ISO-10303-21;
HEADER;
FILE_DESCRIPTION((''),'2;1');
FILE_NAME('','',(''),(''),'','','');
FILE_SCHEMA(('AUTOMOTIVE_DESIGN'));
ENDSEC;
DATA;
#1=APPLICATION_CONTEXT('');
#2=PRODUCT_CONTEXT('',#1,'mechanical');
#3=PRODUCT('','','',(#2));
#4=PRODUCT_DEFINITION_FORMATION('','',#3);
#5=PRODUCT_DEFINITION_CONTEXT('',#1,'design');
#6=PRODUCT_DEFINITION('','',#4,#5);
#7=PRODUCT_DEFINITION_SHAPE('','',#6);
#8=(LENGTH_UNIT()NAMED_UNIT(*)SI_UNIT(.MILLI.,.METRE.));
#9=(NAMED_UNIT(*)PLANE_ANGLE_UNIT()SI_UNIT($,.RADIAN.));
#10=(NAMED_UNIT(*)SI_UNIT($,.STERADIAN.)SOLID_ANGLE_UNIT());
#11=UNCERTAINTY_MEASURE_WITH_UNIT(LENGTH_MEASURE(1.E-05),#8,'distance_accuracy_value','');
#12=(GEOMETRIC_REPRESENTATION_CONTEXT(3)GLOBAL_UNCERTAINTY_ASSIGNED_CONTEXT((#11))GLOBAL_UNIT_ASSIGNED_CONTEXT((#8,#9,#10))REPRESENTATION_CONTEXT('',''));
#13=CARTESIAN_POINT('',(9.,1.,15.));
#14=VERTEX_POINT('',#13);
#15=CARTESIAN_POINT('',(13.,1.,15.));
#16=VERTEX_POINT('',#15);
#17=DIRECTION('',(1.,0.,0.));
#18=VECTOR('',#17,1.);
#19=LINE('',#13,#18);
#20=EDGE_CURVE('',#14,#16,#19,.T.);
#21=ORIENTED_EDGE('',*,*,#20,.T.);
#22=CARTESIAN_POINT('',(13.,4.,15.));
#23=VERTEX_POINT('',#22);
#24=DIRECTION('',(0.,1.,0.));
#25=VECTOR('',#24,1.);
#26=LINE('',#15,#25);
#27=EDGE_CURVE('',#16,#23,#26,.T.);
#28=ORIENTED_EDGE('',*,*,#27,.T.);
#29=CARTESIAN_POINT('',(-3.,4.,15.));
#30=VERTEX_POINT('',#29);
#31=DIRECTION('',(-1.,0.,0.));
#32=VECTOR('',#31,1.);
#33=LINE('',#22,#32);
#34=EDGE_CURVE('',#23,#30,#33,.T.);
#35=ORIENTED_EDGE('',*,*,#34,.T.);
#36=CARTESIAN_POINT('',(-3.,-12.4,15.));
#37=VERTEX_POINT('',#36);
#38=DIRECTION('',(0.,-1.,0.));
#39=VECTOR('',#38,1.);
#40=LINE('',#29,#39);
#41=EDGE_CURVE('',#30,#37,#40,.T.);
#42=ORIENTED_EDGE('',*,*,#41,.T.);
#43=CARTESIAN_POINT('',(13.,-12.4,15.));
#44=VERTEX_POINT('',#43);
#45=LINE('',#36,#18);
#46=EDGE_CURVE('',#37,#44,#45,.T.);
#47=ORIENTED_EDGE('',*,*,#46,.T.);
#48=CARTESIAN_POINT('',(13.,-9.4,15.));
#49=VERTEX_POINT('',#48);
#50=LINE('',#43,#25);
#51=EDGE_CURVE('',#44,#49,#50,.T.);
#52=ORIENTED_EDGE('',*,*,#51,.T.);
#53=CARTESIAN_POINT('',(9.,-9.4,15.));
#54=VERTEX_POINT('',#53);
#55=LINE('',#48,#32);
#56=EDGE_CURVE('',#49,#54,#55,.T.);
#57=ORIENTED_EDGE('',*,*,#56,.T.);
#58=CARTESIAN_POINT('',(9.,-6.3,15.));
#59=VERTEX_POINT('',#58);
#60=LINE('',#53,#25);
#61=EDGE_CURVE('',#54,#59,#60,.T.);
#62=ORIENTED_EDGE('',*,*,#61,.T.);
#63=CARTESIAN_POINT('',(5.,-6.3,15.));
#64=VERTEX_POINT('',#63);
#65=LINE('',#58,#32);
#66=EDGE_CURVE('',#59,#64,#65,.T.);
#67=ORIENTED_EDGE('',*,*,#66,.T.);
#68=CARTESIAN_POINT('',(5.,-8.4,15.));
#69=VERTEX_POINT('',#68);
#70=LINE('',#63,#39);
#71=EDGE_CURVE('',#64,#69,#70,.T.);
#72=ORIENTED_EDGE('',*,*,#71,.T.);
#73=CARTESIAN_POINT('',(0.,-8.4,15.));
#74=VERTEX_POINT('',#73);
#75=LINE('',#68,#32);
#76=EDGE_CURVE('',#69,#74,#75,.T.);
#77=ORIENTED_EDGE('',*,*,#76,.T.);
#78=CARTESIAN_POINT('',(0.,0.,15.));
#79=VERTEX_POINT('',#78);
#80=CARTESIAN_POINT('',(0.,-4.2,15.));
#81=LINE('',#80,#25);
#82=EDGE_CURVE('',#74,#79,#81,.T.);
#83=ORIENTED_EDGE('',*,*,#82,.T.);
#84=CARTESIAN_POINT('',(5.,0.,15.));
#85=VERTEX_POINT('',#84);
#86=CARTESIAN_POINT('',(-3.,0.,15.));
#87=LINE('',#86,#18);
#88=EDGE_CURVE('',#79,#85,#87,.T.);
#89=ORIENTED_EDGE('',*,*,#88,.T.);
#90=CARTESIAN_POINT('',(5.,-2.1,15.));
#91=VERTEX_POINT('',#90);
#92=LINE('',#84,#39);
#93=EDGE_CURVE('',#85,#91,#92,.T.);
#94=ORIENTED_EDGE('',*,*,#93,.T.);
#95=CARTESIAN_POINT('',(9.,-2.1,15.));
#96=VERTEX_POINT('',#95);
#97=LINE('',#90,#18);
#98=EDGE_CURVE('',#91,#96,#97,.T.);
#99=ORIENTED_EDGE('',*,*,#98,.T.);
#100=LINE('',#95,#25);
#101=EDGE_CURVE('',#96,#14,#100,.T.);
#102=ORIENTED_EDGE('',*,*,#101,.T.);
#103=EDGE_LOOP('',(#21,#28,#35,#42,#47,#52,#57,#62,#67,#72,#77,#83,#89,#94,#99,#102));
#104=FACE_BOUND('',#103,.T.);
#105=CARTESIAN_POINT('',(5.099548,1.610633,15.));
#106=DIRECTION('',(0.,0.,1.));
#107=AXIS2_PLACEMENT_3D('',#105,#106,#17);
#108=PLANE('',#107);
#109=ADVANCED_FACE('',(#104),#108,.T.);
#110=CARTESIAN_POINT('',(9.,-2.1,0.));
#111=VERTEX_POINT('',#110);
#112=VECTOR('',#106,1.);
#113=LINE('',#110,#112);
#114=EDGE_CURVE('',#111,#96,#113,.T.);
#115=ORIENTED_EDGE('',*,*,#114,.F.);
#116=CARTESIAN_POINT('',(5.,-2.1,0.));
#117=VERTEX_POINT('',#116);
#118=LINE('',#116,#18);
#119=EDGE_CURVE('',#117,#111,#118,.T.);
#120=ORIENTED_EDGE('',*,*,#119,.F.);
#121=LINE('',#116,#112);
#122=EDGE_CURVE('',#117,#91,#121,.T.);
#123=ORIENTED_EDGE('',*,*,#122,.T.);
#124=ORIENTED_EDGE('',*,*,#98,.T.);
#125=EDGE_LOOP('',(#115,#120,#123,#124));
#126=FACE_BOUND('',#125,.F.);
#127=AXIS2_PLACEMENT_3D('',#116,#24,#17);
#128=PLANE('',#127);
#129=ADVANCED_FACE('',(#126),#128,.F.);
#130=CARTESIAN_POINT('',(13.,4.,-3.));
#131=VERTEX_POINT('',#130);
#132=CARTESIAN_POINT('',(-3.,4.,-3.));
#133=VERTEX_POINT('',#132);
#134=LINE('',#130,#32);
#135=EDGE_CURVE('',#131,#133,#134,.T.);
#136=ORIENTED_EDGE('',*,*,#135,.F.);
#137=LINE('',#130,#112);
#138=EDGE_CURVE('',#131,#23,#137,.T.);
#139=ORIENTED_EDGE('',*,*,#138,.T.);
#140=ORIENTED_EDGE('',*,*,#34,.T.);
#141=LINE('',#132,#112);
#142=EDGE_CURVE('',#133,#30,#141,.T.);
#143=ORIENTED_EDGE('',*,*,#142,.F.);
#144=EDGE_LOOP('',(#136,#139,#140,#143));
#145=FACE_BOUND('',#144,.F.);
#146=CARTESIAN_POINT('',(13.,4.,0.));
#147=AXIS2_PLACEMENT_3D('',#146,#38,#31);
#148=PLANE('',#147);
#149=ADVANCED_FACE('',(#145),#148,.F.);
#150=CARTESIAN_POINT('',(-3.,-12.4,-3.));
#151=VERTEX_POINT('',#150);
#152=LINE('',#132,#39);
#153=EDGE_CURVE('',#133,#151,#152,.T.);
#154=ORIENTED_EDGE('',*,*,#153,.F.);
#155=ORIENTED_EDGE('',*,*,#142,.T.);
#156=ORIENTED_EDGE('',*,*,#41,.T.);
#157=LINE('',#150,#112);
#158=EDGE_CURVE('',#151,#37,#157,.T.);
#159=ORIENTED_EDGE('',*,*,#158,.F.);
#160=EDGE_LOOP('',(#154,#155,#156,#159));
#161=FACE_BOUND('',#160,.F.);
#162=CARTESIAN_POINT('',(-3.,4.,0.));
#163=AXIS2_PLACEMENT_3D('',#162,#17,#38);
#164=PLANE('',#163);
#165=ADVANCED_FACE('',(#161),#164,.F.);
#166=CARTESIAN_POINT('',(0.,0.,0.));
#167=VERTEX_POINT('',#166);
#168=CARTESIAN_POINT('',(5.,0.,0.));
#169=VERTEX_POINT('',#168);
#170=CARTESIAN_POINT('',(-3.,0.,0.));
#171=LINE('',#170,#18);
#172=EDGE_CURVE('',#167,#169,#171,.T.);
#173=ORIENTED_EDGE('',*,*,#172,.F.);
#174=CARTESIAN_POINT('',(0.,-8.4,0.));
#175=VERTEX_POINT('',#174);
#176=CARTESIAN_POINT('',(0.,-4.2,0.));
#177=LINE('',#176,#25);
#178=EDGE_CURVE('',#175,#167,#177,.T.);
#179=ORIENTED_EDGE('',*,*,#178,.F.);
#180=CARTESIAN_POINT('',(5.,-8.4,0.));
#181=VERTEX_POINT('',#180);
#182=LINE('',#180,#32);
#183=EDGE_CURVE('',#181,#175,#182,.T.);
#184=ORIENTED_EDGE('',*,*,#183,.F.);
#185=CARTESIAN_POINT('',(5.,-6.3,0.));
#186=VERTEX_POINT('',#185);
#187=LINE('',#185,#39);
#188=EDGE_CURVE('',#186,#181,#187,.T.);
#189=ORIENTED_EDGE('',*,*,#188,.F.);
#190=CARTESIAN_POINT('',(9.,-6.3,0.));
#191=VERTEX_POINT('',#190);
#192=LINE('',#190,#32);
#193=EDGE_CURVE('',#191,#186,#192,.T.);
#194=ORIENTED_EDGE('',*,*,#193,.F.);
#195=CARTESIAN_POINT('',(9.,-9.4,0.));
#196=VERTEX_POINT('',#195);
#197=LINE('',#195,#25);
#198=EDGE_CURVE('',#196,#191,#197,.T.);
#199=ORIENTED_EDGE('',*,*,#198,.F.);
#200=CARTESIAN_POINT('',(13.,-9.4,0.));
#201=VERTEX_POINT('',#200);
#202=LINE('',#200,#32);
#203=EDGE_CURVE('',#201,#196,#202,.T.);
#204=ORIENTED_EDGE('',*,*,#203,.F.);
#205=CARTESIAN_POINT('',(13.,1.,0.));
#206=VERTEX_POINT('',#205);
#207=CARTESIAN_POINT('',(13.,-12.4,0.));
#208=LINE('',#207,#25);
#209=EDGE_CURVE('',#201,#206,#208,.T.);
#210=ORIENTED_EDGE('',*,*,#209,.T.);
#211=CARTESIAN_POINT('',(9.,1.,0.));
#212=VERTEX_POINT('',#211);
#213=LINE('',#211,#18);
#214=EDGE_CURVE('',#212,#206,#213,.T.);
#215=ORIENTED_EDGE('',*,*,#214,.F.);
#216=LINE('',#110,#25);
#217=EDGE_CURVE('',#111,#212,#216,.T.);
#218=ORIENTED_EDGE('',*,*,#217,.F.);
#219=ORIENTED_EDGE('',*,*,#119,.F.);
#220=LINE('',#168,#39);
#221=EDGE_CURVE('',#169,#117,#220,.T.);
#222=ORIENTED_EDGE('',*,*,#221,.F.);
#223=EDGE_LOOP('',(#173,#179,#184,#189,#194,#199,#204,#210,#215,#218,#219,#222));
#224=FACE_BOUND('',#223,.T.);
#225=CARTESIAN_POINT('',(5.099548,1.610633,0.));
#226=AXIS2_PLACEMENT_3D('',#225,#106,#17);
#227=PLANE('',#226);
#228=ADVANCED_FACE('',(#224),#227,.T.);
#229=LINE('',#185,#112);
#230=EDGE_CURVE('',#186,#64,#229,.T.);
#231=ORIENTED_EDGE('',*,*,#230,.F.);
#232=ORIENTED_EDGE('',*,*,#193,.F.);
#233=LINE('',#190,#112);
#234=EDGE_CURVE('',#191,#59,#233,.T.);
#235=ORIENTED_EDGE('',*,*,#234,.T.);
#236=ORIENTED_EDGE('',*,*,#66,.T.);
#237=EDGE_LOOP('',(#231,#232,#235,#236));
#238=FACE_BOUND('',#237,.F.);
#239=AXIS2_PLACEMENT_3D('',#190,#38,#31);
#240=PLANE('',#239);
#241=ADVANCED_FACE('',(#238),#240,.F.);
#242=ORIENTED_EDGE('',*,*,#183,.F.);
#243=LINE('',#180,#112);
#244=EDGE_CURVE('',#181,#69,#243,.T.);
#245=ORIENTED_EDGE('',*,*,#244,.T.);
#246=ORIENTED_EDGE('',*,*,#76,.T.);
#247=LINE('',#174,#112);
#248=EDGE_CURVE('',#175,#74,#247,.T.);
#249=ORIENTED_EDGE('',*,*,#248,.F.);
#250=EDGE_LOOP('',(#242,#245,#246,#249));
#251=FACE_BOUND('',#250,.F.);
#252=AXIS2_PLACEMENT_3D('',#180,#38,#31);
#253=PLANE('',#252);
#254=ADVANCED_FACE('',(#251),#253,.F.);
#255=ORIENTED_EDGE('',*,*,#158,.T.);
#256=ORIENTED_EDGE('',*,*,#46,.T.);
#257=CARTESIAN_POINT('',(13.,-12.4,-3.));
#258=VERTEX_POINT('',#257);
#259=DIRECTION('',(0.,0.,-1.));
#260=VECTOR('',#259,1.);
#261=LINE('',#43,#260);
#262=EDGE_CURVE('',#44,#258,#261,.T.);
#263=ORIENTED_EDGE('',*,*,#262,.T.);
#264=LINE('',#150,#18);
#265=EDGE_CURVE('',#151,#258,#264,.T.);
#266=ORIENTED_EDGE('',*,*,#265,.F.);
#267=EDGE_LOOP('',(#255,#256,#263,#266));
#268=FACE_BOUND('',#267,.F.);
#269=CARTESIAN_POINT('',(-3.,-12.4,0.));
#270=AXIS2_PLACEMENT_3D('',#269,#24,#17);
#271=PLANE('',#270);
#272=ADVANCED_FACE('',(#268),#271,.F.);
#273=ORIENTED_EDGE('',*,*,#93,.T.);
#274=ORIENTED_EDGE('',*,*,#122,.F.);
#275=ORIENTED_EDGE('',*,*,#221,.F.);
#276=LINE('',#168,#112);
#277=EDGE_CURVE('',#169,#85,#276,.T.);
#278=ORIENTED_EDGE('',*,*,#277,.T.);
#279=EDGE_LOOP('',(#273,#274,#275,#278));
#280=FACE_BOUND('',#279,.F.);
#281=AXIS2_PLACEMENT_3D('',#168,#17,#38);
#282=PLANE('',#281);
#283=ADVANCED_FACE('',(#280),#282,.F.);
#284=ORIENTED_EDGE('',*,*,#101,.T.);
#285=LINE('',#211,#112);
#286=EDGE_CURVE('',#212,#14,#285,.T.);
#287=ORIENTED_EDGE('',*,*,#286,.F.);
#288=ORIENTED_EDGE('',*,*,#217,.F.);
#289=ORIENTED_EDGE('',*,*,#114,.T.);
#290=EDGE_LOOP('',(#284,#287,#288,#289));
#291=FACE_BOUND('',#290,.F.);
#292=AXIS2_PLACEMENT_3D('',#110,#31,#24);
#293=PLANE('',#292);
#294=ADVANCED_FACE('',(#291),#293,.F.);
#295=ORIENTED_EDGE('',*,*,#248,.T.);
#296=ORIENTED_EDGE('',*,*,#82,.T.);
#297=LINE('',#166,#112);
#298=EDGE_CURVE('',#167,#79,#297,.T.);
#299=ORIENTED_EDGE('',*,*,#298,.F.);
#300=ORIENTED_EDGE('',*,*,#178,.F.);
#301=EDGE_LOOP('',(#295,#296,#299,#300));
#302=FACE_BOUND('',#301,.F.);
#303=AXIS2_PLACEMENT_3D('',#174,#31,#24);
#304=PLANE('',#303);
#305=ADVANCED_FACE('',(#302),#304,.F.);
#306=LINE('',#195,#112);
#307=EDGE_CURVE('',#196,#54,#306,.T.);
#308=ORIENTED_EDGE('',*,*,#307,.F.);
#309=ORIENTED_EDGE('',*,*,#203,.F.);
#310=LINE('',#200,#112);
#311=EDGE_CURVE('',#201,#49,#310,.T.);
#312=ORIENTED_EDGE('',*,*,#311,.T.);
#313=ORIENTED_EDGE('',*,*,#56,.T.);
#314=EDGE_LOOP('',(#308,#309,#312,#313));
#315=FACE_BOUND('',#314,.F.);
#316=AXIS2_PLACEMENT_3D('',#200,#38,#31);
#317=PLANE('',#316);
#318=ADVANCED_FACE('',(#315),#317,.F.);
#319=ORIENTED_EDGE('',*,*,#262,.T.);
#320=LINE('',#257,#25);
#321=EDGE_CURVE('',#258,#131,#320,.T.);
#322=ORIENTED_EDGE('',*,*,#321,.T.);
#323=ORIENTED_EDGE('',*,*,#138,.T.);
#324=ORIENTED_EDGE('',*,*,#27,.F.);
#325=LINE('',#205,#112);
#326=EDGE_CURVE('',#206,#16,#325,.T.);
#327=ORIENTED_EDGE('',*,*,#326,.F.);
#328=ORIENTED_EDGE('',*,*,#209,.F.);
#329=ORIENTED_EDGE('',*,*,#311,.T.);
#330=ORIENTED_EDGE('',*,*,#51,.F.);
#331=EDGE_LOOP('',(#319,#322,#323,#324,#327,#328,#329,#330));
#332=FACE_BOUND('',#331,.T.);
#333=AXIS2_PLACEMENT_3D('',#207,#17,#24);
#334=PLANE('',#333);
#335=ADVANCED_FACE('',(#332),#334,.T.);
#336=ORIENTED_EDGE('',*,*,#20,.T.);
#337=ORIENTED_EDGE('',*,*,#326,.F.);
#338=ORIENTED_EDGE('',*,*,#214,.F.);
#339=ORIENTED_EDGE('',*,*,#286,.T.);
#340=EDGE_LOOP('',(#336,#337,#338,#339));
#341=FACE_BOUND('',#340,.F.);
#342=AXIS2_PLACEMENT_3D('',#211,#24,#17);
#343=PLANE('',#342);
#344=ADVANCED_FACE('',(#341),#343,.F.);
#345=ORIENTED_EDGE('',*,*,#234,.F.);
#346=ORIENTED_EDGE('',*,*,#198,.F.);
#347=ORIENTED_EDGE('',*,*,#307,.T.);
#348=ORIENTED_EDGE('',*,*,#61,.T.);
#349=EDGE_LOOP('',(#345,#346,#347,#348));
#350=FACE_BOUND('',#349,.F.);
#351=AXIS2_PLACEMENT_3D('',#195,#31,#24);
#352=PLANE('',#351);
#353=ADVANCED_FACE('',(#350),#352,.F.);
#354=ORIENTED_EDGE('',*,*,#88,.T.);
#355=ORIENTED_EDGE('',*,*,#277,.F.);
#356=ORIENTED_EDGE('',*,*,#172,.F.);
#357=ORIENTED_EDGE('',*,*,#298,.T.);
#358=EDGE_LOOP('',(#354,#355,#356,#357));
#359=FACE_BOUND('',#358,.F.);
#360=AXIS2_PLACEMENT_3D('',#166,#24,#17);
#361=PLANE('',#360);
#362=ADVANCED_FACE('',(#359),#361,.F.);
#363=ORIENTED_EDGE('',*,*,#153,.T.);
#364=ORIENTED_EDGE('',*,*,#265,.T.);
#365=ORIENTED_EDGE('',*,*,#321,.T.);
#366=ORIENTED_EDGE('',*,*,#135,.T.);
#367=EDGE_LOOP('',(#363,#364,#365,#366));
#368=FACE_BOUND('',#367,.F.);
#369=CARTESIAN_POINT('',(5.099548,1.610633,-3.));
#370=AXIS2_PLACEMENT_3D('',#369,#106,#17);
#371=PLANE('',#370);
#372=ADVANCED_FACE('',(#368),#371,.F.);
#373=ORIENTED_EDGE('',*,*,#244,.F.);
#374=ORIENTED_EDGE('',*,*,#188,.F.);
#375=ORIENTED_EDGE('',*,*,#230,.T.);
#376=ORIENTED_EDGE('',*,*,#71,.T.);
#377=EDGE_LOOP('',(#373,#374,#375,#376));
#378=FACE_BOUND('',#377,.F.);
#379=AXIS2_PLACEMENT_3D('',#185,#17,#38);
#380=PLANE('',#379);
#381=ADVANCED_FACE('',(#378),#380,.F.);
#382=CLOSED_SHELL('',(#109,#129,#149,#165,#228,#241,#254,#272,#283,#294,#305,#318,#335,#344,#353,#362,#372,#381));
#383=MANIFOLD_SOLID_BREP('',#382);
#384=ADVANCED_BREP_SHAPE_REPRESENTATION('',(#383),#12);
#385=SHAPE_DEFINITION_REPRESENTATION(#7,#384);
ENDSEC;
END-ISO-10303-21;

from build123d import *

# Parameters (mm, degrees)
F0_W     = 3
F0_H     = 8.4
F1_DEPTH = 3
F2_DEPTH = 15


with BuildPart() as f1:
    # F0 (on Top) → F1 (new body)
    with BuildSketch(Plane.XY):
        Polygon((-3, 0), (0, 0), (5, 0), (5, -2.1), (9, -2.1), (9, 1), (13, 1), (13, 4), (-3, 4), align=None)
        with Locations((-1.5, -4.2)):
            Rectangle(F0_W, F0_H)
        Polygon((5, -8.4), (0, -8.4), (-3, -8.4), (-3, -12.4), (13, -12.4), (13, -9.4), (9, -9.4), (9, -6.3), (5, -6.3), align=None)
        Polygon((5, 0), (0, 0), (0, -8.4), (5, -8.4), (5, -6.3), (9, -6.3), (9, -9.4), (13, -9.4), (13, 1), (9, 1), (9, -2.1), (5, -2.1), align=None)
    extrude(amount=-F1_DEPTH)

    # F0 (on Top) → F2 (join)
    with BuildSketch(Plane.XY):
        Polygon((-3, 0), (0, 0), (5, 0), (5, -2.1), (9, -2.1), (9, 1), (13, 1), (13, 4), (-3, 4), align=None)
        Polygon((5, -8.4), (0, -8.4), (-3, -8.4), (-3, -12.4), (13, -12.4), (13, -9.4), (9, -9.4), (9, -6.3), (5, -6.3), align=None)
        with Locations((-1.5, -4.2)):
            Rectangle(F0_W, F0_H)
    extrude(amount=F2_DEPTH)


solid = f1.part
